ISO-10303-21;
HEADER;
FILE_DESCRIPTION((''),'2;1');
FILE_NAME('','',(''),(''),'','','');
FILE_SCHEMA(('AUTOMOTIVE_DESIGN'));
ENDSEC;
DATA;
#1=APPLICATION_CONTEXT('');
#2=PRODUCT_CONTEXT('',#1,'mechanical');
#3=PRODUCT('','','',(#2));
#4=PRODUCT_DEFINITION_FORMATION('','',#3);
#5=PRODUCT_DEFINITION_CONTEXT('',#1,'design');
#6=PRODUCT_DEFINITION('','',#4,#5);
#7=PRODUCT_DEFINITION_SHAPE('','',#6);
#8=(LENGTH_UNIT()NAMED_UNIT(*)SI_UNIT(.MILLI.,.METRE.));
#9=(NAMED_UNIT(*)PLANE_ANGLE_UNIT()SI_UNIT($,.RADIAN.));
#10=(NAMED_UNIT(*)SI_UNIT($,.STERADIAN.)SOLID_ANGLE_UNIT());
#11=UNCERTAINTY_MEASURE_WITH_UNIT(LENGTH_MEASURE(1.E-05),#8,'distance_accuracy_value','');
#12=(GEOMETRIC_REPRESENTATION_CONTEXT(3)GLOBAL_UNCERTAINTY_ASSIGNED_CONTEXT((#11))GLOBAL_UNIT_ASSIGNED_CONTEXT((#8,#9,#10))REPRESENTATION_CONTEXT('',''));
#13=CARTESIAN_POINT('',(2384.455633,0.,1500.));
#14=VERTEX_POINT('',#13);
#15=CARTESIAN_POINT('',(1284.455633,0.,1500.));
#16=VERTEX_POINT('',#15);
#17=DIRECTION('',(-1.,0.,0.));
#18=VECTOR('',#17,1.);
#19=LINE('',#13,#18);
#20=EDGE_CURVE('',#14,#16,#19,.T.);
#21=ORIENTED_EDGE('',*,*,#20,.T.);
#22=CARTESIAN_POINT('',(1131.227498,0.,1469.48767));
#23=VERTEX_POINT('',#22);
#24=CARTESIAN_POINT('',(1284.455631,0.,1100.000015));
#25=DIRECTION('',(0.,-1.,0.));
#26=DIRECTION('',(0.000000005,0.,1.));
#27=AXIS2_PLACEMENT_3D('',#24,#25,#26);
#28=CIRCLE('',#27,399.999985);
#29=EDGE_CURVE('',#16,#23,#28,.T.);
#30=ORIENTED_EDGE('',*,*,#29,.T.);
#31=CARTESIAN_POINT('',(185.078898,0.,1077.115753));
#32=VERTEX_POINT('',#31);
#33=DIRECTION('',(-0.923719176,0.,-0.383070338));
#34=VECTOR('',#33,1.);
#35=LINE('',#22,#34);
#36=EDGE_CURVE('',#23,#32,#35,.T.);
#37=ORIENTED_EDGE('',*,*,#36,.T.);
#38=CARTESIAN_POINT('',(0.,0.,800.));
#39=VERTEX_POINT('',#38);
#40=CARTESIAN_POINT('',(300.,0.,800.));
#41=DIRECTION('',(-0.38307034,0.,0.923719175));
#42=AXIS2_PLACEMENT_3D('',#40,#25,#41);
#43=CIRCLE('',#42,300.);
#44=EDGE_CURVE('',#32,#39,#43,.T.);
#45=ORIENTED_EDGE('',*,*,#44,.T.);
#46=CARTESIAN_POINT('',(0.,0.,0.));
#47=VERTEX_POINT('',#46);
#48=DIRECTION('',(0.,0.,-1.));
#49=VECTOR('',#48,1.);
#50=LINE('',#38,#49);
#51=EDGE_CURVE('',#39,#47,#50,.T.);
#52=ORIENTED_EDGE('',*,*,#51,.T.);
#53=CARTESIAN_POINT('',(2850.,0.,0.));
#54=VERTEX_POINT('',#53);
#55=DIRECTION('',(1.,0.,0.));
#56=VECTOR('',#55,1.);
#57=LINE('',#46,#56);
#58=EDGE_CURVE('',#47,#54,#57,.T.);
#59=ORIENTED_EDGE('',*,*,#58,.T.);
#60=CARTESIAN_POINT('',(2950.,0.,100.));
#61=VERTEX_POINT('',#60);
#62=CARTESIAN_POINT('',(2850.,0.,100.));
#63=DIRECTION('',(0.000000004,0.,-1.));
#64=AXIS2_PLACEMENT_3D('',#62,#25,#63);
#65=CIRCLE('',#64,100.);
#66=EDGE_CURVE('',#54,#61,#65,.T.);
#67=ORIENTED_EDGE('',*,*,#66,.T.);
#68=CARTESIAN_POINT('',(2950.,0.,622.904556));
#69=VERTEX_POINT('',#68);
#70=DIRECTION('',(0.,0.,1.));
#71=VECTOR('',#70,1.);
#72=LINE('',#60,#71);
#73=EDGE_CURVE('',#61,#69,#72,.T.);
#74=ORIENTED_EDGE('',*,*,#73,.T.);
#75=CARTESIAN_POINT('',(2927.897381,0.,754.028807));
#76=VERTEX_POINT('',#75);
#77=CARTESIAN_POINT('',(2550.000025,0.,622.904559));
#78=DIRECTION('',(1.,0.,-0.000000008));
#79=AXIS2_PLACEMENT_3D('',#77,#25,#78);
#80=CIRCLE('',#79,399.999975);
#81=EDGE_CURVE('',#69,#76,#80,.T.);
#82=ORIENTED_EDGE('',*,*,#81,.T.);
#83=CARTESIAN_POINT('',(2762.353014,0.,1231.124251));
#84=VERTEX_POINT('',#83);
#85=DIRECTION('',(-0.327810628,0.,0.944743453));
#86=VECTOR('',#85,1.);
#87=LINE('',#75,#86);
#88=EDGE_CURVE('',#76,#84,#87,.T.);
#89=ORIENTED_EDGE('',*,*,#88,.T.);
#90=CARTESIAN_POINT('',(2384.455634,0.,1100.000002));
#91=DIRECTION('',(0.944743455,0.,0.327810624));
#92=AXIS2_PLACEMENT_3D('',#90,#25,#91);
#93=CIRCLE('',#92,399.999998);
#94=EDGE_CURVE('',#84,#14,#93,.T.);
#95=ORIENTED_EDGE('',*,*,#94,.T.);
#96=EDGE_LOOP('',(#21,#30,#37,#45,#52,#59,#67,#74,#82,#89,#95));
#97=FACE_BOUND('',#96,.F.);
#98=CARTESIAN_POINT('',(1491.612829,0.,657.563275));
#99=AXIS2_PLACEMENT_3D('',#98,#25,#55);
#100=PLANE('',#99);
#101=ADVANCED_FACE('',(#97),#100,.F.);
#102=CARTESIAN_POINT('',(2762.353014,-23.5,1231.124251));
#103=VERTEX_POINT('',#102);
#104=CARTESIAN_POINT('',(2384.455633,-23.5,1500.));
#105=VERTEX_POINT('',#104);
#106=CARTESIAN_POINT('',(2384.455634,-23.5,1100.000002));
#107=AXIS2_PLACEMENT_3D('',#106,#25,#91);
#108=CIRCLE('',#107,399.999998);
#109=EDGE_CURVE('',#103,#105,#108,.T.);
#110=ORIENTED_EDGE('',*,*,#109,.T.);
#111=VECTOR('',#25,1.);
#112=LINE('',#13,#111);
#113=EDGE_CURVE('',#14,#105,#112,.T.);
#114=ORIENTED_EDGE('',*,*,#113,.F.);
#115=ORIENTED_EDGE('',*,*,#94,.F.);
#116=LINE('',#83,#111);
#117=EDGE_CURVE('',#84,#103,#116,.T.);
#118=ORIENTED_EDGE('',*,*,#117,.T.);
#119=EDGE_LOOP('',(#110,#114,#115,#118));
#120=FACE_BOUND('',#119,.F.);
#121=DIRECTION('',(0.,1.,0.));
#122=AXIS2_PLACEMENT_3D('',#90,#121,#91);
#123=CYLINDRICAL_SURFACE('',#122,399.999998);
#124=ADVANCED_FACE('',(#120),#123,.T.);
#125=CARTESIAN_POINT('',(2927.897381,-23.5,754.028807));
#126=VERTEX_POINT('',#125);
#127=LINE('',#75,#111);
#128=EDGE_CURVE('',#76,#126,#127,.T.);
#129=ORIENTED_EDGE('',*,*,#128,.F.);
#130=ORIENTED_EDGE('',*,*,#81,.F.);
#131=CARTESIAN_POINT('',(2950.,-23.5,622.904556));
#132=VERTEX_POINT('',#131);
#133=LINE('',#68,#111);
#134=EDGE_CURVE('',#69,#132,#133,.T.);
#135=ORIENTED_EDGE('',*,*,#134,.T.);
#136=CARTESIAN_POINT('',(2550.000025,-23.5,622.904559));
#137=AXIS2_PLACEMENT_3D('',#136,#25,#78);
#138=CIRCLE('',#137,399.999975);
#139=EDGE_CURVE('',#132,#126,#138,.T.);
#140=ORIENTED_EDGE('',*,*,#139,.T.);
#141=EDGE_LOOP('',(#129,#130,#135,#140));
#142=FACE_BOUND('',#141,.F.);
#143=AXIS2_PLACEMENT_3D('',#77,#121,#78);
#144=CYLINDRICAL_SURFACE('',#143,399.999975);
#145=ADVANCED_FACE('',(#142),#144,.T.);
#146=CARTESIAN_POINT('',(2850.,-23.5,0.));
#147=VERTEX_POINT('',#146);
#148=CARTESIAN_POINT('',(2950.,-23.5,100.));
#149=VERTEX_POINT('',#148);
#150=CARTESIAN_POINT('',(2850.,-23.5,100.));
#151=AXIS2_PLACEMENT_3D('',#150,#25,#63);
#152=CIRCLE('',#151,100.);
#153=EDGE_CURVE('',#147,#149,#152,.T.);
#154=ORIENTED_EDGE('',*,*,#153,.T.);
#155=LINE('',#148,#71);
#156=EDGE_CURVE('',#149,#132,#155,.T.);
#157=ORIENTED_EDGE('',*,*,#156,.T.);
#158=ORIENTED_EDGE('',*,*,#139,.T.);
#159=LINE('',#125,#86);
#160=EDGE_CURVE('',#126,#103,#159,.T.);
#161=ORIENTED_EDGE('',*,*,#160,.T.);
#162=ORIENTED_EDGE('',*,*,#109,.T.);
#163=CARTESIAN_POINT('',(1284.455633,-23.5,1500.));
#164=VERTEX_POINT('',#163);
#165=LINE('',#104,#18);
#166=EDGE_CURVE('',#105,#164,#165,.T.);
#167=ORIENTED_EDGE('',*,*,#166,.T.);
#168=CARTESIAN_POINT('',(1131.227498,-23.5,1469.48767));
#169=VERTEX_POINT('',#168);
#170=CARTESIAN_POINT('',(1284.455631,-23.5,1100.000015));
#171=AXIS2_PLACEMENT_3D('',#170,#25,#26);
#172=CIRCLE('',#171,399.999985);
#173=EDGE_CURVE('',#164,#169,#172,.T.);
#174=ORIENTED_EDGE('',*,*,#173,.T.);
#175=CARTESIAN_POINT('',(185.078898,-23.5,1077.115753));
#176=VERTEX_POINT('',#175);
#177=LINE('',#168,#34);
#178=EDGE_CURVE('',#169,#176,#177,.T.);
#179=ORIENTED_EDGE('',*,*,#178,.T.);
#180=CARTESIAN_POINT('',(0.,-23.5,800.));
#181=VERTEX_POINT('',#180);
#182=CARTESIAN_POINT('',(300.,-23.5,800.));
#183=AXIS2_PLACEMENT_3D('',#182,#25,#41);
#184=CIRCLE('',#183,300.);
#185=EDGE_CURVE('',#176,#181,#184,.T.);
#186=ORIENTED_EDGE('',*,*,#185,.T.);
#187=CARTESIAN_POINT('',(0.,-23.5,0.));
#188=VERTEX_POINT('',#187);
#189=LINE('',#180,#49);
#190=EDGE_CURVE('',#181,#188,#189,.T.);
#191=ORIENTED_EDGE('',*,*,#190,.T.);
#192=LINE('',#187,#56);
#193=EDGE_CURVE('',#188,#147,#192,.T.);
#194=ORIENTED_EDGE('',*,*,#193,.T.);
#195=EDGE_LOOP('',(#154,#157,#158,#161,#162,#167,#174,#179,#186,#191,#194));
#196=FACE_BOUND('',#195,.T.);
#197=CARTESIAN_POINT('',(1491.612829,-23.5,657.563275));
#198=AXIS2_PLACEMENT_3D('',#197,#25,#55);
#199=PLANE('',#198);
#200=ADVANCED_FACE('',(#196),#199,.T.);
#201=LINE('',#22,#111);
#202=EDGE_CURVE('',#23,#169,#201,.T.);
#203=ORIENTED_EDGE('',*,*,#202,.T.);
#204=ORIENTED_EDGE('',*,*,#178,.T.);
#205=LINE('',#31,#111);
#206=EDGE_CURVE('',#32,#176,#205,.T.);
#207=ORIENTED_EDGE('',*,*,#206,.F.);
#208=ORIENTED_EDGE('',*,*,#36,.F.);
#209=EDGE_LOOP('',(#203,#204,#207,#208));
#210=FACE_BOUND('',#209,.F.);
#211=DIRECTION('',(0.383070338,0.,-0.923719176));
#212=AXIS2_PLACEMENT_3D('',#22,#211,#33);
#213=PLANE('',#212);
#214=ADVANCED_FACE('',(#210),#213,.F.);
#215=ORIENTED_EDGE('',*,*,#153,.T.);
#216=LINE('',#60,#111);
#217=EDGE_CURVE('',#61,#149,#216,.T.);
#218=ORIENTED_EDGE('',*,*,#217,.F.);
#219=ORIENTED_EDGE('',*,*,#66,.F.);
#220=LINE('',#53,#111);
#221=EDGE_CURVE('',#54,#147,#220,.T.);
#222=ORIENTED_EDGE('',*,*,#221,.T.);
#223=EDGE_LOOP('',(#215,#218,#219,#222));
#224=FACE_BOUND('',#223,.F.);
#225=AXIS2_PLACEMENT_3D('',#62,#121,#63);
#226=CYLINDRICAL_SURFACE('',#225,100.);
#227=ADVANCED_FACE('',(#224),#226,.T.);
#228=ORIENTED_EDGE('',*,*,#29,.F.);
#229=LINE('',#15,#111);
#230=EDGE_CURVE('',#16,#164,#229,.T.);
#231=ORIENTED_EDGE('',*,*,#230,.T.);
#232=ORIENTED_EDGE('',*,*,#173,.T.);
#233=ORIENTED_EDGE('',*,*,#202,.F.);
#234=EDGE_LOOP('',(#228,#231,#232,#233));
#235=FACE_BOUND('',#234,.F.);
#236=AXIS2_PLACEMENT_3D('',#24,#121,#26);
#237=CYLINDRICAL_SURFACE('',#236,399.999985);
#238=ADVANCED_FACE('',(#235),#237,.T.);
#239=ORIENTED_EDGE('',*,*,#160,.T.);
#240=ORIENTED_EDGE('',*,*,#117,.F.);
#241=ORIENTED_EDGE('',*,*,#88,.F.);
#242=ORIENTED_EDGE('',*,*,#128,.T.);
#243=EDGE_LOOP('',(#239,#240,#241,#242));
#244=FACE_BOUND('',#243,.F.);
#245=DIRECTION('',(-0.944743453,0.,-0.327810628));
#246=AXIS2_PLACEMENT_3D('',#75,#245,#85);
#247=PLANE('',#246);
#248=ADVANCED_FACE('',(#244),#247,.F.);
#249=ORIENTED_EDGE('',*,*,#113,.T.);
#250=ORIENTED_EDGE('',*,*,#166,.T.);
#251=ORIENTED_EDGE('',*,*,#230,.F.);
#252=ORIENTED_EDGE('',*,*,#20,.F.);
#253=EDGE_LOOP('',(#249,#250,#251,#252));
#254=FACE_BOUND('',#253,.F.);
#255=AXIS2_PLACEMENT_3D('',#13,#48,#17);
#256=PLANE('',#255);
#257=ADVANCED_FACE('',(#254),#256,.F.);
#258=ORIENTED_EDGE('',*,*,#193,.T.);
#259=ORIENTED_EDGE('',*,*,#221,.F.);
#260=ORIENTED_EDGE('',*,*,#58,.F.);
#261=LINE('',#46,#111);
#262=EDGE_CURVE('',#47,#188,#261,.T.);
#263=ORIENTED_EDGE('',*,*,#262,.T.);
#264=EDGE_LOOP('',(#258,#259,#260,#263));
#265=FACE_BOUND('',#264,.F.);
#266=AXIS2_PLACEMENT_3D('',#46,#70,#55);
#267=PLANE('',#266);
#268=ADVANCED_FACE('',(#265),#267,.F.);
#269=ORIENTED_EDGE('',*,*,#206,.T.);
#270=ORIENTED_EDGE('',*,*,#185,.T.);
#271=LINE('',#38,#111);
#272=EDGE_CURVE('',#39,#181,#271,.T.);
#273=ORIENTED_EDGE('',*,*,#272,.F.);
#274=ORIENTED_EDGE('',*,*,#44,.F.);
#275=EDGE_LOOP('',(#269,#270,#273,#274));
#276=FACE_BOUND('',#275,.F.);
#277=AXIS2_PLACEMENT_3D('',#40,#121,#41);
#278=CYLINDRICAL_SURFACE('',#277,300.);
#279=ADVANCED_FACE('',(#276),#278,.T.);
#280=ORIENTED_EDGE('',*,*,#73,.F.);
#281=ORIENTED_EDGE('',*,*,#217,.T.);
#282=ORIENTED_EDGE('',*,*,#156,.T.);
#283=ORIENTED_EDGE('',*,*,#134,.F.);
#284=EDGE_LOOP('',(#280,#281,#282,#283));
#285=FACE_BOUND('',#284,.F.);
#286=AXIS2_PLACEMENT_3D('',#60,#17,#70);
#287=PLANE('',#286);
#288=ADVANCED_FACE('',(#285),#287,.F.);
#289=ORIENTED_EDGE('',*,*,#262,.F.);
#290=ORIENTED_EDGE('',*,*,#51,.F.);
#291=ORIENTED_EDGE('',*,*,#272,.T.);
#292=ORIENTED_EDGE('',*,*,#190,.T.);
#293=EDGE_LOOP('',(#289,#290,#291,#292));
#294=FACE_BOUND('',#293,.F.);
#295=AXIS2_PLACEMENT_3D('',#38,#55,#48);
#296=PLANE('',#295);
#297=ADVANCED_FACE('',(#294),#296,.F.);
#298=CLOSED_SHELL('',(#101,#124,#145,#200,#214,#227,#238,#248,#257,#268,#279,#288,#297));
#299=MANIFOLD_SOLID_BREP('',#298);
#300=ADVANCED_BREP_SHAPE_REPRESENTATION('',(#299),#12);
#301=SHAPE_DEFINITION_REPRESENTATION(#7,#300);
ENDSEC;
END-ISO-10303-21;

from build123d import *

# Parameters (mm, degrees)
F1_DEPTH = 23.5


with BuildPart() as f1:
    # F0 (on Front) → F1 (new body)
    with BuildSketch(Plane.XZ):
        with BuildLine():
            Line((0, 800), (0, 0))
            Line((0, 0), (2850, 0))
            ThreePointArc((2850, 0), (2920.710678, 29.289322), (2950, 100))
            Line((2950, 100), (2950, 622.904556))
            ThreePointArc((2950, 622.904556), (2944.435643, 689.391575), (2927.897381, 754.028807))
            Line((2927.897381, 754.028807), (2762.353014, 1231.124251))
            ThreePointArc((2762.353014, 1231.124251), (2616.350329, 1425.92154), (2384.455633, 1500))
            Line((2384.455633, 1500), (1284.455633, 1500))
            ThreePointArc((1284.455633, 1500), (1206.337351, 1492.297762), (1131.227498, 1469.48767))
            Line((1131.227498, 1469.48767), (185.078898, 1077.115753))
            ThreePointArc((185.078898, 1077.115753), (50.524219, 966.618831), (0, 800))
        make_face()
    extrude(amount=F1_DEPTH)


solid = f1.part
